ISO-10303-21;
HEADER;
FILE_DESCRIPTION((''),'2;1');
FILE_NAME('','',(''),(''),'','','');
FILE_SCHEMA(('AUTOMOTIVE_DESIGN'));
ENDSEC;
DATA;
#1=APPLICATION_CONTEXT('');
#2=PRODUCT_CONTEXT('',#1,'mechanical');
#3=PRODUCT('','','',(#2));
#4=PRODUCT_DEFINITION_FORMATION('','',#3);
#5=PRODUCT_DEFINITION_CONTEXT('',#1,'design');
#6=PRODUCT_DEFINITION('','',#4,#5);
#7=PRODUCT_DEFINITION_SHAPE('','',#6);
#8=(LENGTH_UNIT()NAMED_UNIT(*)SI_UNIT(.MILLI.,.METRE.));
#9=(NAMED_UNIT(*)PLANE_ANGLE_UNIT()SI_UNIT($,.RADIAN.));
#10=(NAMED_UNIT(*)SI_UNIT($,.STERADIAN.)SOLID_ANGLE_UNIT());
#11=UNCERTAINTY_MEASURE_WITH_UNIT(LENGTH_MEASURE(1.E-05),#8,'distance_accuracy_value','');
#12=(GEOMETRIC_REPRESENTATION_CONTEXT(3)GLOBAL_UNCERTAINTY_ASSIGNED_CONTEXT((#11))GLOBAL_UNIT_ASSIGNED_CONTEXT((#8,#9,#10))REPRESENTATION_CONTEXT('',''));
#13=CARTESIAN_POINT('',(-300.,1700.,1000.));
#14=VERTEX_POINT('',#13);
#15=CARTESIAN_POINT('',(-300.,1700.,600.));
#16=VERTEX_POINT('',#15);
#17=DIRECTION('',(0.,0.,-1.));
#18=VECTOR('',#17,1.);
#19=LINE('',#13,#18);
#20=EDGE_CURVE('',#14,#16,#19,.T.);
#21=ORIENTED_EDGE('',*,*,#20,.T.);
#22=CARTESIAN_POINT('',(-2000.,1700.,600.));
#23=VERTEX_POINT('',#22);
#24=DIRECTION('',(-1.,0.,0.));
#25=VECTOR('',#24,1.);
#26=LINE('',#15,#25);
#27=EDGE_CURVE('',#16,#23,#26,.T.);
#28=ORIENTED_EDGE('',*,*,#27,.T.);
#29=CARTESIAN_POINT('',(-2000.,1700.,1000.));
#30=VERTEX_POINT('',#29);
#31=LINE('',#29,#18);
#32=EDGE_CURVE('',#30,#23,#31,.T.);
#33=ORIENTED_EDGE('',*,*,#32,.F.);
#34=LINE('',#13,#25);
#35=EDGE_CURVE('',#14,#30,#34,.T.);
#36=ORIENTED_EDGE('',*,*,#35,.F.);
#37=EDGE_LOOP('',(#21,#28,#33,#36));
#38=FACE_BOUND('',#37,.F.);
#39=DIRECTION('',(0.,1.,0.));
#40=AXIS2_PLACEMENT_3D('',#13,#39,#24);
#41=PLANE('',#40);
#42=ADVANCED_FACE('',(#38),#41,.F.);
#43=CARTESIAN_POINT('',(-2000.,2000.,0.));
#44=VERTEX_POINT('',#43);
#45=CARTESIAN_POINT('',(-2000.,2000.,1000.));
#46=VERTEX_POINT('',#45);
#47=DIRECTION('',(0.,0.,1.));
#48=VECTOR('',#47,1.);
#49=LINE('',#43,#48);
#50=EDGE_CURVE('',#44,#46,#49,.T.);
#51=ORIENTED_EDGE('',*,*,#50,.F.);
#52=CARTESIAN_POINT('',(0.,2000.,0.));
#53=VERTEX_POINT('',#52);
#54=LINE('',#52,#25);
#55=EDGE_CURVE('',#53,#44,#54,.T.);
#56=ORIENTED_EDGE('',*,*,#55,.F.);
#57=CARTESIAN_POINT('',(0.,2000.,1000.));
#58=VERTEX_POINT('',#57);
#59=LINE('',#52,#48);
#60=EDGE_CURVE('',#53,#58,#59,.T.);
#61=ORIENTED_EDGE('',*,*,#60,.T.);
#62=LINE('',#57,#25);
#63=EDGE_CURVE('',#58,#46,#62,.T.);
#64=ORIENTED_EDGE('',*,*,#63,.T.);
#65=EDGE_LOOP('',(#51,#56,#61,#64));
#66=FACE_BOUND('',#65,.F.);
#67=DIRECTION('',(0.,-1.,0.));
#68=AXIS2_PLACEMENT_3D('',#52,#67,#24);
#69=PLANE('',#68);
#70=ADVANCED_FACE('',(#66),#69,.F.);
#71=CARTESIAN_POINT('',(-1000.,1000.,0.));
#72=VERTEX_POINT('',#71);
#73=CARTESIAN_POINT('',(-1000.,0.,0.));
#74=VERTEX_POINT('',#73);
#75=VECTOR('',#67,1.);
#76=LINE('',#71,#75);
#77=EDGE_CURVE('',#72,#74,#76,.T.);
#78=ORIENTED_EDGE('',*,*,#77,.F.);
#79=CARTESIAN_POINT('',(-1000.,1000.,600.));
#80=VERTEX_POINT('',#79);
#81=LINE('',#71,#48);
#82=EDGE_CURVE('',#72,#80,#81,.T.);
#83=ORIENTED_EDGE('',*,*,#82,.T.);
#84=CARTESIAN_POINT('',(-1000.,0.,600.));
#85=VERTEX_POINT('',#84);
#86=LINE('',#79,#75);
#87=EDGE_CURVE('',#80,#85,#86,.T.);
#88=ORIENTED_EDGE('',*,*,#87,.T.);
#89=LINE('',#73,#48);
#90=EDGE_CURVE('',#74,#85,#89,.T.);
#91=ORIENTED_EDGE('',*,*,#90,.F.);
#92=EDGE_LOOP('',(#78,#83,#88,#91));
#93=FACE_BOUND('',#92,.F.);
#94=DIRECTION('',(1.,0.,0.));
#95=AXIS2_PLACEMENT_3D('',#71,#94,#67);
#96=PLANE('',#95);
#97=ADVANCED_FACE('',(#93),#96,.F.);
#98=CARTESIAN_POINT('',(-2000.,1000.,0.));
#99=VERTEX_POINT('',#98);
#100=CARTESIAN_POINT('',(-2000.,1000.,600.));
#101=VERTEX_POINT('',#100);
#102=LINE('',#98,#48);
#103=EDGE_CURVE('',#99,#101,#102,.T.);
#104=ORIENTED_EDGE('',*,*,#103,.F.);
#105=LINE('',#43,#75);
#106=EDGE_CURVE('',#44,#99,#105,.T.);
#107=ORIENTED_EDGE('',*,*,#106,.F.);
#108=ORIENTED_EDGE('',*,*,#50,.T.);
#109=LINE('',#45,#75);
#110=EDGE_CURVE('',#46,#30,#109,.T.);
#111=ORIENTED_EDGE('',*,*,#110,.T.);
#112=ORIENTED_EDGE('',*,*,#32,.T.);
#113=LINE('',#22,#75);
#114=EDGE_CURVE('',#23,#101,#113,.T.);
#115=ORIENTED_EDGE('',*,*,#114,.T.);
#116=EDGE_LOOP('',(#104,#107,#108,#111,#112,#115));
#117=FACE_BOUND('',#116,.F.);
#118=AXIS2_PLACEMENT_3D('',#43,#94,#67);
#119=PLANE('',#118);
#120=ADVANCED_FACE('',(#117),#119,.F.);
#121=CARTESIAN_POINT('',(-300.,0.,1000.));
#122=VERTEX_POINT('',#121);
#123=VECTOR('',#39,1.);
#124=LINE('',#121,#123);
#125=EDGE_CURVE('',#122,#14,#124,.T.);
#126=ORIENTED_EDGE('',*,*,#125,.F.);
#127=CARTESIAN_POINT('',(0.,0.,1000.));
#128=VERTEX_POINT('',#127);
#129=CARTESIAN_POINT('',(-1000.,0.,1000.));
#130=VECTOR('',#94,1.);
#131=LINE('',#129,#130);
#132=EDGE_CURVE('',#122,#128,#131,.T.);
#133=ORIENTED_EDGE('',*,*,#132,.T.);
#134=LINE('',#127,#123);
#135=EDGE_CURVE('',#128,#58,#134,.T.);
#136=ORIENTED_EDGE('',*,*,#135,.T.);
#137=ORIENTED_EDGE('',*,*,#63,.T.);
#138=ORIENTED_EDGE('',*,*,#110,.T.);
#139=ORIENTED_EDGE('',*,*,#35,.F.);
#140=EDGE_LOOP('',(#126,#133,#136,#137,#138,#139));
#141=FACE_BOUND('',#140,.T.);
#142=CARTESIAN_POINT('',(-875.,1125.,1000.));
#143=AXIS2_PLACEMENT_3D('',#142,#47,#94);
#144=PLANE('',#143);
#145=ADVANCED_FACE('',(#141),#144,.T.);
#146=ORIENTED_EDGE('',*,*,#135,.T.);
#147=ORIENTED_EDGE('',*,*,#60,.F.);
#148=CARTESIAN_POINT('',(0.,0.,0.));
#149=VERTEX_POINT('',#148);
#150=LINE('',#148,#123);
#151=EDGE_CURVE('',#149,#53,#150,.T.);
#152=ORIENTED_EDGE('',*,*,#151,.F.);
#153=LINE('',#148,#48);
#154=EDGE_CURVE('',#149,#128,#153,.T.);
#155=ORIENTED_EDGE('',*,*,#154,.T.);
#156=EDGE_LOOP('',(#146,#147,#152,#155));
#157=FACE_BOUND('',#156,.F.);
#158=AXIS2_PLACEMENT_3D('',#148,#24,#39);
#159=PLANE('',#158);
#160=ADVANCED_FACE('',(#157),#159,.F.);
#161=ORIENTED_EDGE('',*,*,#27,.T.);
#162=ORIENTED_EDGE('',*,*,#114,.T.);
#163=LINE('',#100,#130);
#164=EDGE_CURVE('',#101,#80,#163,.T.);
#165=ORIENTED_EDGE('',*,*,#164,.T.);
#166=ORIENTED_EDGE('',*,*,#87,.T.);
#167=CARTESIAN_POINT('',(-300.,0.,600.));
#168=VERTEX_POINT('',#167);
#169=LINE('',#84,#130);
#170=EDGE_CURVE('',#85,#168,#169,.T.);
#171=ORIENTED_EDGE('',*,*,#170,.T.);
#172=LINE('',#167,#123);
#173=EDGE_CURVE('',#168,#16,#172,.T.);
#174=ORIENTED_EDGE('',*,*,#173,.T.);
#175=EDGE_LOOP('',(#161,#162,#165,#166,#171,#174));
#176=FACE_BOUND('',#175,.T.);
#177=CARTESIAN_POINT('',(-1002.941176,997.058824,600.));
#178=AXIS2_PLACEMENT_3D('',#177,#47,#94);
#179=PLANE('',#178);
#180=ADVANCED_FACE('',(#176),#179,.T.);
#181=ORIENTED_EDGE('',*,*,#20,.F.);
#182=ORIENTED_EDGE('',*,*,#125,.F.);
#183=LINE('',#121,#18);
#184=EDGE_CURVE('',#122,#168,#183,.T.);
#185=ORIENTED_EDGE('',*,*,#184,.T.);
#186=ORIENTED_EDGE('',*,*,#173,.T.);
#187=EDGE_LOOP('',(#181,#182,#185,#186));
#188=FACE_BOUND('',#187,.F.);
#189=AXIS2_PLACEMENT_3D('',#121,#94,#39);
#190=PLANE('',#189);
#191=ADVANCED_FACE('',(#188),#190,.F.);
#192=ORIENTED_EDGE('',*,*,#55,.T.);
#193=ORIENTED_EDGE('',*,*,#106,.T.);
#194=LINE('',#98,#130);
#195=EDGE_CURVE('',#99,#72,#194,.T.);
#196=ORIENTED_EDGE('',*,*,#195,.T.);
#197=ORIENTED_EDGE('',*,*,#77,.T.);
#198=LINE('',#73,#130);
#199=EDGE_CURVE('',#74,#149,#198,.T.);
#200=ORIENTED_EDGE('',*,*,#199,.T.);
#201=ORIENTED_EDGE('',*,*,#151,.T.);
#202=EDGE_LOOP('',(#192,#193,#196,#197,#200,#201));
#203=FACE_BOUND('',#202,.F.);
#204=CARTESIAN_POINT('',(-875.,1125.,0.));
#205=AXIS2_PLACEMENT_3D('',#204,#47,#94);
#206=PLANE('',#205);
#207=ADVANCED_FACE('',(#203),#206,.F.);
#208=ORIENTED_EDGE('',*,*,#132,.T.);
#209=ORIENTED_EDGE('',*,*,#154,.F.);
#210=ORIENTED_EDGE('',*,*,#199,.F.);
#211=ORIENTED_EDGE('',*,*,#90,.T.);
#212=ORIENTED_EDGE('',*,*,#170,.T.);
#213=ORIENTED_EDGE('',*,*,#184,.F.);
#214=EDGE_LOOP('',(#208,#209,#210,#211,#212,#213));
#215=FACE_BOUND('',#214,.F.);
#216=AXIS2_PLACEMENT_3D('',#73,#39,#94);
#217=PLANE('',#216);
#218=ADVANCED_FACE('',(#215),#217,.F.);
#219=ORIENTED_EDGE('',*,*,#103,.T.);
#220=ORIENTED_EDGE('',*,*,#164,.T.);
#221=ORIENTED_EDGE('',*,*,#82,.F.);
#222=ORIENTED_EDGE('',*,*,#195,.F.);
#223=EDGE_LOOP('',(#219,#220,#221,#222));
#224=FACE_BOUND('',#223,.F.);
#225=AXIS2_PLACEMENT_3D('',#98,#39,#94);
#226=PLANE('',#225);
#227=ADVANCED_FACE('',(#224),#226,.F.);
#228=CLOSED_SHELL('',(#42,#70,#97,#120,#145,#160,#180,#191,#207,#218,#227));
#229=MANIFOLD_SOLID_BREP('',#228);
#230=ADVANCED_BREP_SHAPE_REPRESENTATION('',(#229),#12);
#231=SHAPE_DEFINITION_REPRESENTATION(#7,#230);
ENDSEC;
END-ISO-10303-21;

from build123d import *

# Parameters (mm, degrees)
F1_DEPTH = 1000
F3_DEPTH = 400


with BuildPart() as f1:
    # F0 (on Top) → F1 (new body)
    with BuildSketch(Plane.XY):
        Polygon((-1000, 0), (0, 0), (0, 2000), (-2000, 2000), (-2000, 1000), (-1000, 1000), align=None)
    extrude(amount=F1_DEPTH)

    # F2 (on face) → F3 (cut)
    with BuildSketch(Plane.XY.offset(1000)):
        Polygon((-2000, 1700), (-2000, 1000), (-1000, 1000), (-1000, 0), (-300, 0), (-300, 1700), align=None)
    extrude(amount=-F3_DEPTH, mode=Mode.SUBTRACT)


solid = f1.part
